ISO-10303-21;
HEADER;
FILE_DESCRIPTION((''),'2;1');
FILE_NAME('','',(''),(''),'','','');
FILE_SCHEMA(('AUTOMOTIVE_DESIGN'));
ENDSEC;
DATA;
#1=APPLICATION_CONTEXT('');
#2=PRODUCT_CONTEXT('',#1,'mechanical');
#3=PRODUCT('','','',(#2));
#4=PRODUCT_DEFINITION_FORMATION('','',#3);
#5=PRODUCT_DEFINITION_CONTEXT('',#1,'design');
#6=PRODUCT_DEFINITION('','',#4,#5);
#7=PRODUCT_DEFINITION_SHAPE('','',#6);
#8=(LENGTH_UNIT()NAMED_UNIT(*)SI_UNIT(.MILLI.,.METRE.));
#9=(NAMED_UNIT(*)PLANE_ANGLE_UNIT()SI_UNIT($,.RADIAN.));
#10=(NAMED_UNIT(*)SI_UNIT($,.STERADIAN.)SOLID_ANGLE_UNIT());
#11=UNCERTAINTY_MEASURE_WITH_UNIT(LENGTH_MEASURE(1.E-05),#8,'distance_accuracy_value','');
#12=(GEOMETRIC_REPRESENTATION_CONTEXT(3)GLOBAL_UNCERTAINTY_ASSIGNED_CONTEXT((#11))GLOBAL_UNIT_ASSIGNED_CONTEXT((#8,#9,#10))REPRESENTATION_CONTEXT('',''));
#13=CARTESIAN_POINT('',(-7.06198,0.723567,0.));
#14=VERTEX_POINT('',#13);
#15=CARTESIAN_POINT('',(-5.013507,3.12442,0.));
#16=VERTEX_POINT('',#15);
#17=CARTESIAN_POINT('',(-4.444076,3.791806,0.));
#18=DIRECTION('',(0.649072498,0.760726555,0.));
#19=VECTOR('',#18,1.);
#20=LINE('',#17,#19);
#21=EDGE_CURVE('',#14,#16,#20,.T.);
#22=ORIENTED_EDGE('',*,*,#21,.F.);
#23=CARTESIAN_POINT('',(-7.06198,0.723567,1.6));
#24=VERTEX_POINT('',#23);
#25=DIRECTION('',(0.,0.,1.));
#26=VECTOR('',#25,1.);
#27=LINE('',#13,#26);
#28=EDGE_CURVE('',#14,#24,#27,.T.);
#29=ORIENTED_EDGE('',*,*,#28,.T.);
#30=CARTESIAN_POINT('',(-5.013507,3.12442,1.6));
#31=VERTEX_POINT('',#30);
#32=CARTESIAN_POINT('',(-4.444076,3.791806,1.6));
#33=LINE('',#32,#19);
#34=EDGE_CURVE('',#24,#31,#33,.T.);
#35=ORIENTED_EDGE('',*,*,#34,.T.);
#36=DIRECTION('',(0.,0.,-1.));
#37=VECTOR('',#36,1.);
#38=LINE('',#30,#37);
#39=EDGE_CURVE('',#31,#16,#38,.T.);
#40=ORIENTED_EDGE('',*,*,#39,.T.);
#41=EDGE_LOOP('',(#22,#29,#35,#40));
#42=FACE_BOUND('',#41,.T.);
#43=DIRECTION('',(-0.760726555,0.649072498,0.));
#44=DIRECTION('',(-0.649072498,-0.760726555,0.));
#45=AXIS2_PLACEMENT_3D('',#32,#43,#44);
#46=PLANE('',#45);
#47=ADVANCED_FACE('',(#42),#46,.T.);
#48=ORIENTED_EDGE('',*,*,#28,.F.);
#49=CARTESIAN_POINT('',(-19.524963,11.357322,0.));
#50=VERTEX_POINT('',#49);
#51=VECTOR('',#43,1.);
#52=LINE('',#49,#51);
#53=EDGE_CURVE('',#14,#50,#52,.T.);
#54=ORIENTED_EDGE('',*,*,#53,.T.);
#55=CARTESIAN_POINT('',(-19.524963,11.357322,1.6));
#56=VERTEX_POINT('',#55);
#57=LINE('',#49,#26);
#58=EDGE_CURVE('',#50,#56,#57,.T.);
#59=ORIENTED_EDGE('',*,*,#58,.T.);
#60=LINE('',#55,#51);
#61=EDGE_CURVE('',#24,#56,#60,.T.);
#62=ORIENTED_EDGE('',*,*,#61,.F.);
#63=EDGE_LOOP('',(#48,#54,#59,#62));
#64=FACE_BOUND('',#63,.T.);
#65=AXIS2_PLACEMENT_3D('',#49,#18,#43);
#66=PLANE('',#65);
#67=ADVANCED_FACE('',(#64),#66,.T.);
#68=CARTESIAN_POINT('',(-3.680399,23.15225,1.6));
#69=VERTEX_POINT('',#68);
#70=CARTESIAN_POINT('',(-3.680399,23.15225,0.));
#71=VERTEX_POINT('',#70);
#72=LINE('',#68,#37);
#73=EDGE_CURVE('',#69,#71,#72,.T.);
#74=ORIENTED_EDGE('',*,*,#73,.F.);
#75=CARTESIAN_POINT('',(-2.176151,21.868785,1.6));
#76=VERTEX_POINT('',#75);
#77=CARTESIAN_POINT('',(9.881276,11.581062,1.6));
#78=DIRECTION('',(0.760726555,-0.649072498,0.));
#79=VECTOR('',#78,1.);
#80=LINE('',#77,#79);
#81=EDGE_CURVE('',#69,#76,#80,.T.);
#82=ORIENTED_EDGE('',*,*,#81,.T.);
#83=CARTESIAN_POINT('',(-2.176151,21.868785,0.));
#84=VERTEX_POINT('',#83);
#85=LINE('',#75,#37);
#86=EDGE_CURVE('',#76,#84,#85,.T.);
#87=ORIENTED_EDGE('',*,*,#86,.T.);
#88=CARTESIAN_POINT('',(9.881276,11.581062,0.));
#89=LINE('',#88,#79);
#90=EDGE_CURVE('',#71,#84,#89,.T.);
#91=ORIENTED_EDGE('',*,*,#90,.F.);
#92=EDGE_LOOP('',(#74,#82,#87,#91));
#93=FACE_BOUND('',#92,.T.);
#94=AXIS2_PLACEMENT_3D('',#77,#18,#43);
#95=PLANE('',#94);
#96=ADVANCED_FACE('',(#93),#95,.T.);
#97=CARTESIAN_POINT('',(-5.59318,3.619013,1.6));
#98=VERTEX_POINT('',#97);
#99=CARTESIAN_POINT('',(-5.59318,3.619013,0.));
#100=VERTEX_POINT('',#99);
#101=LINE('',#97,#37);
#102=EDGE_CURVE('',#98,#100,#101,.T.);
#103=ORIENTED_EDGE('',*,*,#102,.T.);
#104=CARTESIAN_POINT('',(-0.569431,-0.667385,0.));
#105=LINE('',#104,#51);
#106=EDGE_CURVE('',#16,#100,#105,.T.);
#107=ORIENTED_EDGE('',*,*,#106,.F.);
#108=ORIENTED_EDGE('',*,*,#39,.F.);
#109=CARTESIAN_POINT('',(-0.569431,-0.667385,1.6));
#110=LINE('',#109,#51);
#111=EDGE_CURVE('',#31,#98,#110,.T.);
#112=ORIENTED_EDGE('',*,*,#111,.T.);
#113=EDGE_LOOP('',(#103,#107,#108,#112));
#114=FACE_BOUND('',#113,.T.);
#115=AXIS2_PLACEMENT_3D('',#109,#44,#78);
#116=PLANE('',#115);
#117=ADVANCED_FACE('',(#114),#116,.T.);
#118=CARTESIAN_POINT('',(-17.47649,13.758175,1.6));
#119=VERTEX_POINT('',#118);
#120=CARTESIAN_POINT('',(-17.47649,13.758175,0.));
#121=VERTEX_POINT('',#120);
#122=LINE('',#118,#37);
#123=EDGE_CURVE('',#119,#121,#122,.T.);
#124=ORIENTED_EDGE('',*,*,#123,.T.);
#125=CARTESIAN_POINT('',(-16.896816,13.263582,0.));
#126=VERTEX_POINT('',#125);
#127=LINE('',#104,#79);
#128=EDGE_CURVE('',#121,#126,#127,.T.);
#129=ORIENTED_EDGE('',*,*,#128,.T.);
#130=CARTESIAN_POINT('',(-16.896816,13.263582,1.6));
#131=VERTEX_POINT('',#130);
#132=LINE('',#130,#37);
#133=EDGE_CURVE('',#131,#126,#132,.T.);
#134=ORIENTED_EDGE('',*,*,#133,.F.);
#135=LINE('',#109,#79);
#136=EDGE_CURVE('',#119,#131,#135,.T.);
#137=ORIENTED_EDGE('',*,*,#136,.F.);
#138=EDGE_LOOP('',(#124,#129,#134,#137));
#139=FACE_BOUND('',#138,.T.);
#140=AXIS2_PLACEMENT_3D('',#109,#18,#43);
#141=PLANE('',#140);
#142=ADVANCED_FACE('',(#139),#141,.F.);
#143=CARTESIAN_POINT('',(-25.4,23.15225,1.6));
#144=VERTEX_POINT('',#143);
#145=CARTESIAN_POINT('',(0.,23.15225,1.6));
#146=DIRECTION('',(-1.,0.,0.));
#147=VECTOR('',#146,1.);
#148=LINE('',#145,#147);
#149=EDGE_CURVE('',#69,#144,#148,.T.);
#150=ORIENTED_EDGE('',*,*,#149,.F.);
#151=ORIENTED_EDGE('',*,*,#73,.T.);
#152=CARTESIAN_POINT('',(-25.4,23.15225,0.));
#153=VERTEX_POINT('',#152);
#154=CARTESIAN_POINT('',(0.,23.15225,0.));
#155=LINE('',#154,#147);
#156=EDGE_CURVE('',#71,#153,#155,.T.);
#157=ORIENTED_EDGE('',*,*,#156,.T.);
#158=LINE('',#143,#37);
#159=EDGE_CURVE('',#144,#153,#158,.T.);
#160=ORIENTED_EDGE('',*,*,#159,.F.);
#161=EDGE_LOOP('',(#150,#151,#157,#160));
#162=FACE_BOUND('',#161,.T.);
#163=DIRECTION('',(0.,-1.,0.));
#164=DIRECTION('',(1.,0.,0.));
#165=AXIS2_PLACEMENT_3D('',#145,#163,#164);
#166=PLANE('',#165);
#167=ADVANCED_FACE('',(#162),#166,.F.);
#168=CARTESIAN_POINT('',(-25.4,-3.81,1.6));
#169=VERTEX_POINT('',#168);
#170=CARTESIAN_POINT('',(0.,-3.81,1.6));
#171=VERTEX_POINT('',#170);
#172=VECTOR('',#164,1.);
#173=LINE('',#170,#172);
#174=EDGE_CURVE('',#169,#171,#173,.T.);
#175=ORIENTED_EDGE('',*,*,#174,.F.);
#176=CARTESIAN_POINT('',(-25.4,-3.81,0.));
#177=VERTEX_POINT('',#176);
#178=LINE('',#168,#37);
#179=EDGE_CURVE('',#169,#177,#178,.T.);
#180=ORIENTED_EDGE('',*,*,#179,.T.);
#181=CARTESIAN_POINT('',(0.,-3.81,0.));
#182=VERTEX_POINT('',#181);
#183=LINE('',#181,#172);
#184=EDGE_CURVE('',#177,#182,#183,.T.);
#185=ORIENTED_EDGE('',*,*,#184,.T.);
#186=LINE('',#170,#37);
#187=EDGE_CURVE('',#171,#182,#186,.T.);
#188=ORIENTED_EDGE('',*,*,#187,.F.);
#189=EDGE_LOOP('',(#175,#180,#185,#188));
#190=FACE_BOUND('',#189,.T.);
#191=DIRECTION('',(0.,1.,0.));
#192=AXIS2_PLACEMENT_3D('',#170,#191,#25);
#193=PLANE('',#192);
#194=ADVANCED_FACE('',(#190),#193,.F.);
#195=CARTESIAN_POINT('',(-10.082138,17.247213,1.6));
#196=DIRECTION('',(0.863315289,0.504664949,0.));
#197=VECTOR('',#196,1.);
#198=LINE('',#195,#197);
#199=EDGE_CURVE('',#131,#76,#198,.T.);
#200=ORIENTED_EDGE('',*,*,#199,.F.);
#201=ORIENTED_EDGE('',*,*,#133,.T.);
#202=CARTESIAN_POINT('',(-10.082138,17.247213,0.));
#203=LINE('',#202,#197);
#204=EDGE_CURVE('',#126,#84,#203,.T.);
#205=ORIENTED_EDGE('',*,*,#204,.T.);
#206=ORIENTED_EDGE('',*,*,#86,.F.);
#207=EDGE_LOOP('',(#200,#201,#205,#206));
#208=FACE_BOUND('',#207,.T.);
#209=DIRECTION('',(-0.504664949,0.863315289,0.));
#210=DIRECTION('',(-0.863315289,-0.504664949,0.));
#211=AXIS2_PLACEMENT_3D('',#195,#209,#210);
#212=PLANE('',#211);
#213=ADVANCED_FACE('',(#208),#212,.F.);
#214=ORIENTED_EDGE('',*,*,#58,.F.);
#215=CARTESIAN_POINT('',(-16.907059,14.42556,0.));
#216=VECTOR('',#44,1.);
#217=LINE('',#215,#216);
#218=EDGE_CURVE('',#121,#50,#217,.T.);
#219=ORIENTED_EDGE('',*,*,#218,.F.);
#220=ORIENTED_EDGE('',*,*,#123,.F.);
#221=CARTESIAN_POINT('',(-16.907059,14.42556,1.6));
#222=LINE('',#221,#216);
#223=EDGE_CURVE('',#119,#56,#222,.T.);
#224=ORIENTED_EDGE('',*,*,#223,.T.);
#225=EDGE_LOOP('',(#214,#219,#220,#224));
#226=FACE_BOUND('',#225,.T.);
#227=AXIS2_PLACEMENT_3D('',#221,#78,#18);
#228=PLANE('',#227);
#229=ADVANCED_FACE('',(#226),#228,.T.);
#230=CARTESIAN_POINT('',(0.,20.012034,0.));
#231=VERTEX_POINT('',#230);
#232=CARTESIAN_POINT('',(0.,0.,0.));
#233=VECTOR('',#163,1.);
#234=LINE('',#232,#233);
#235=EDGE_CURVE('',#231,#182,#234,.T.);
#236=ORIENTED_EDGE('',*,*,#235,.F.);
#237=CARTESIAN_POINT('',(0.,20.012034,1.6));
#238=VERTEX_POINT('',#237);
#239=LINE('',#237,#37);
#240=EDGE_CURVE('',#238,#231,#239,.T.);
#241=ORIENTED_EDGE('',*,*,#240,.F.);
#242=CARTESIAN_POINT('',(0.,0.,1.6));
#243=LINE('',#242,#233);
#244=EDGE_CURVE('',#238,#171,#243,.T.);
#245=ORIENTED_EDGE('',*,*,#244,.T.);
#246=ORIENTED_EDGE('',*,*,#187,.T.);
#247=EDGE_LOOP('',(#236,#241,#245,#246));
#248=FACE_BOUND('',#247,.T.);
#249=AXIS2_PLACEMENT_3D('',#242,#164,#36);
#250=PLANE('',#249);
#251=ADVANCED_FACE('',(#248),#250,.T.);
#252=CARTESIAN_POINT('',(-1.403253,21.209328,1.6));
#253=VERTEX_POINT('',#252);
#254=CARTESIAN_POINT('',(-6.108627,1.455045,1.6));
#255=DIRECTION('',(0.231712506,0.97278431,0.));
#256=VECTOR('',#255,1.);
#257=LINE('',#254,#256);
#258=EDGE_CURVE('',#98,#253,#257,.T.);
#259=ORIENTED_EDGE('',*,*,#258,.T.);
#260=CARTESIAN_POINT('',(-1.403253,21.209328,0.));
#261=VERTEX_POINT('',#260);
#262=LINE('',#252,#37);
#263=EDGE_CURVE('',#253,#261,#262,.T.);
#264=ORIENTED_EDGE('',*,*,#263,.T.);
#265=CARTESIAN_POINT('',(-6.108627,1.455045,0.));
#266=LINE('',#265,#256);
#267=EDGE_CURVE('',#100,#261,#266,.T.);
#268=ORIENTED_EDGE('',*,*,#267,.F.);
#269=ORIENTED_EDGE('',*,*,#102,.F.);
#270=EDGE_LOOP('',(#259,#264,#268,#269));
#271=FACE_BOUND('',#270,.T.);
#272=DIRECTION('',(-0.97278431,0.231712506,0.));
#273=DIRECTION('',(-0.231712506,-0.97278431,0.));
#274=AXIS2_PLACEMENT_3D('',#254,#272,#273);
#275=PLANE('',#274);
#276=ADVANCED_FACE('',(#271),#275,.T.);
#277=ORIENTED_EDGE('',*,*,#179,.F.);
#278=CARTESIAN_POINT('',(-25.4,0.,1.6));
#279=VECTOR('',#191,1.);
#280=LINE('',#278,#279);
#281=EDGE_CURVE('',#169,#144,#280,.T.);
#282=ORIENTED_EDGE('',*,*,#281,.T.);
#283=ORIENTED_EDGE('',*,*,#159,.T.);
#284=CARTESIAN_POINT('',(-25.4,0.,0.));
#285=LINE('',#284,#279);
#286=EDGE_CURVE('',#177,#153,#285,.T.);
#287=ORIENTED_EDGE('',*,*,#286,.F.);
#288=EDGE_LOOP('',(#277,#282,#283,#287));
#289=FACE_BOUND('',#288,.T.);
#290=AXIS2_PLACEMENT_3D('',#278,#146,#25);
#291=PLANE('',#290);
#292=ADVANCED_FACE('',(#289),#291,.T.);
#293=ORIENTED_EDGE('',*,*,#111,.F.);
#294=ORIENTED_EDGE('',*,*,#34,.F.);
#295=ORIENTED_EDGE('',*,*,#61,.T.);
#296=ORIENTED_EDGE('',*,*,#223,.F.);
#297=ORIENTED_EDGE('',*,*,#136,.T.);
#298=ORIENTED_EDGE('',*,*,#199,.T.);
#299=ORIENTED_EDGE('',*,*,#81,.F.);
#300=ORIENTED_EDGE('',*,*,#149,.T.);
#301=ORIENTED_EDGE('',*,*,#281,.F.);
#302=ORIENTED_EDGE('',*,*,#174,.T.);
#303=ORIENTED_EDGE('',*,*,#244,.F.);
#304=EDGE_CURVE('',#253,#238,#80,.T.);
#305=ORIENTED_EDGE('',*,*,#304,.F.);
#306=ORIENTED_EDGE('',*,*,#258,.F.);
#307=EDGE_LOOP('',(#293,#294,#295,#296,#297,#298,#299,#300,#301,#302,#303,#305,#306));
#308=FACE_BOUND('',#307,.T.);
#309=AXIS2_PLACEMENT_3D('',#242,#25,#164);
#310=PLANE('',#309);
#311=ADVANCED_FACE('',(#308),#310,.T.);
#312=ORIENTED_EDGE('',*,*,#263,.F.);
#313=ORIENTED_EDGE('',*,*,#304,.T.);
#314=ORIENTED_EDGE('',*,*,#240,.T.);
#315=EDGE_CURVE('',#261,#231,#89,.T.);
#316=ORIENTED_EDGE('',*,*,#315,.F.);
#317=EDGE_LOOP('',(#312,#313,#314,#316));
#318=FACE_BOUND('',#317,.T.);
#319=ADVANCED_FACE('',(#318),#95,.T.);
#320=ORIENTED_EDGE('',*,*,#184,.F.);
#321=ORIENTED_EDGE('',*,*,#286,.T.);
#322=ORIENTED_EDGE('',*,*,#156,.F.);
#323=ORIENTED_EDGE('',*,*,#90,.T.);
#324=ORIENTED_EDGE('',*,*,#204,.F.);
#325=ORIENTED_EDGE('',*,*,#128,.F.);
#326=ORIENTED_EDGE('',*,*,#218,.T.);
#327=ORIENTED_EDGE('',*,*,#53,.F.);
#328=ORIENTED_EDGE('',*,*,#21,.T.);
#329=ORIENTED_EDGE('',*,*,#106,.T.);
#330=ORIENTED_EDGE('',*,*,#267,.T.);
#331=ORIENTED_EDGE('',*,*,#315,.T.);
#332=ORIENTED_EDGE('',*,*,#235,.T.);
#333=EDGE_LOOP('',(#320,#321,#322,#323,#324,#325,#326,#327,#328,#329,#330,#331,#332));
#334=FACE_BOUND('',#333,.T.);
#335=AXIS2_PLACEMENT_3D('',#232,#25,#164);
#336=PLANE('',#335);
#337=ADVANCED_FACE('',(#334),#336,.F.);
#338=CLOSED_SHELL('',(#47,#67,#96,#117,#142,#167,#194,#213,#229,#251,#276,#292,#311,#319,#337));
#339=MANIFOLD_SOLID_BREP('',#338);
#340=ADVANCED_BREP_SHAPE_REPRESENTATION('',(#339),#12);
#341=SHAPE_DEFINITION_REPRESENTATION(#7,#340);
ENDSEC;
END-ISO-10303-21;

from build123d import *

# Parameters (mm, degrees)
BOSS_EXTRUDE1_DEPTH = 1.6
BOSS_EXTRUDE2_DEPTH = 1.6


with BuildPart() as part:
    # Sketch1 → Boss-Extrude1 (new body)
    with BuildSketch(Plane.XY):
        Polygon((0, 20.012034266), (-1.403252859, 21.209327608), (-5.593180392, 3.61901348), (-5.013506757, 3.124420236), (-7.321608561, 0.419276606), (-19.784591715, 11.053031347), (-17.476489911, 13.758174978), (-16.896816276, 13.263581734), (-2.176151039, 21.868785266), (-3.680398963, 23.152250331), (-25.4, 23.152250331), (-25.4, -3.81), (0, -3.81), align=None)
    extrude(amount=BOSS_EXTRUDE1_DEPTH)

    # Sketch2 → Boss-Extrude2 (add)
    with BuildSketch(Plane.XY.offset(1.6)):
        Polygon((-19.524962716, 11.357321969), (-7.061979562, 0.723567228), (-7.321608561, 0.419276606), (-19.784591715, 11.053031347), align=None)
    extrude(amount=-BOSS_EXTRUDE2_DEPTH)


solid = part.part
